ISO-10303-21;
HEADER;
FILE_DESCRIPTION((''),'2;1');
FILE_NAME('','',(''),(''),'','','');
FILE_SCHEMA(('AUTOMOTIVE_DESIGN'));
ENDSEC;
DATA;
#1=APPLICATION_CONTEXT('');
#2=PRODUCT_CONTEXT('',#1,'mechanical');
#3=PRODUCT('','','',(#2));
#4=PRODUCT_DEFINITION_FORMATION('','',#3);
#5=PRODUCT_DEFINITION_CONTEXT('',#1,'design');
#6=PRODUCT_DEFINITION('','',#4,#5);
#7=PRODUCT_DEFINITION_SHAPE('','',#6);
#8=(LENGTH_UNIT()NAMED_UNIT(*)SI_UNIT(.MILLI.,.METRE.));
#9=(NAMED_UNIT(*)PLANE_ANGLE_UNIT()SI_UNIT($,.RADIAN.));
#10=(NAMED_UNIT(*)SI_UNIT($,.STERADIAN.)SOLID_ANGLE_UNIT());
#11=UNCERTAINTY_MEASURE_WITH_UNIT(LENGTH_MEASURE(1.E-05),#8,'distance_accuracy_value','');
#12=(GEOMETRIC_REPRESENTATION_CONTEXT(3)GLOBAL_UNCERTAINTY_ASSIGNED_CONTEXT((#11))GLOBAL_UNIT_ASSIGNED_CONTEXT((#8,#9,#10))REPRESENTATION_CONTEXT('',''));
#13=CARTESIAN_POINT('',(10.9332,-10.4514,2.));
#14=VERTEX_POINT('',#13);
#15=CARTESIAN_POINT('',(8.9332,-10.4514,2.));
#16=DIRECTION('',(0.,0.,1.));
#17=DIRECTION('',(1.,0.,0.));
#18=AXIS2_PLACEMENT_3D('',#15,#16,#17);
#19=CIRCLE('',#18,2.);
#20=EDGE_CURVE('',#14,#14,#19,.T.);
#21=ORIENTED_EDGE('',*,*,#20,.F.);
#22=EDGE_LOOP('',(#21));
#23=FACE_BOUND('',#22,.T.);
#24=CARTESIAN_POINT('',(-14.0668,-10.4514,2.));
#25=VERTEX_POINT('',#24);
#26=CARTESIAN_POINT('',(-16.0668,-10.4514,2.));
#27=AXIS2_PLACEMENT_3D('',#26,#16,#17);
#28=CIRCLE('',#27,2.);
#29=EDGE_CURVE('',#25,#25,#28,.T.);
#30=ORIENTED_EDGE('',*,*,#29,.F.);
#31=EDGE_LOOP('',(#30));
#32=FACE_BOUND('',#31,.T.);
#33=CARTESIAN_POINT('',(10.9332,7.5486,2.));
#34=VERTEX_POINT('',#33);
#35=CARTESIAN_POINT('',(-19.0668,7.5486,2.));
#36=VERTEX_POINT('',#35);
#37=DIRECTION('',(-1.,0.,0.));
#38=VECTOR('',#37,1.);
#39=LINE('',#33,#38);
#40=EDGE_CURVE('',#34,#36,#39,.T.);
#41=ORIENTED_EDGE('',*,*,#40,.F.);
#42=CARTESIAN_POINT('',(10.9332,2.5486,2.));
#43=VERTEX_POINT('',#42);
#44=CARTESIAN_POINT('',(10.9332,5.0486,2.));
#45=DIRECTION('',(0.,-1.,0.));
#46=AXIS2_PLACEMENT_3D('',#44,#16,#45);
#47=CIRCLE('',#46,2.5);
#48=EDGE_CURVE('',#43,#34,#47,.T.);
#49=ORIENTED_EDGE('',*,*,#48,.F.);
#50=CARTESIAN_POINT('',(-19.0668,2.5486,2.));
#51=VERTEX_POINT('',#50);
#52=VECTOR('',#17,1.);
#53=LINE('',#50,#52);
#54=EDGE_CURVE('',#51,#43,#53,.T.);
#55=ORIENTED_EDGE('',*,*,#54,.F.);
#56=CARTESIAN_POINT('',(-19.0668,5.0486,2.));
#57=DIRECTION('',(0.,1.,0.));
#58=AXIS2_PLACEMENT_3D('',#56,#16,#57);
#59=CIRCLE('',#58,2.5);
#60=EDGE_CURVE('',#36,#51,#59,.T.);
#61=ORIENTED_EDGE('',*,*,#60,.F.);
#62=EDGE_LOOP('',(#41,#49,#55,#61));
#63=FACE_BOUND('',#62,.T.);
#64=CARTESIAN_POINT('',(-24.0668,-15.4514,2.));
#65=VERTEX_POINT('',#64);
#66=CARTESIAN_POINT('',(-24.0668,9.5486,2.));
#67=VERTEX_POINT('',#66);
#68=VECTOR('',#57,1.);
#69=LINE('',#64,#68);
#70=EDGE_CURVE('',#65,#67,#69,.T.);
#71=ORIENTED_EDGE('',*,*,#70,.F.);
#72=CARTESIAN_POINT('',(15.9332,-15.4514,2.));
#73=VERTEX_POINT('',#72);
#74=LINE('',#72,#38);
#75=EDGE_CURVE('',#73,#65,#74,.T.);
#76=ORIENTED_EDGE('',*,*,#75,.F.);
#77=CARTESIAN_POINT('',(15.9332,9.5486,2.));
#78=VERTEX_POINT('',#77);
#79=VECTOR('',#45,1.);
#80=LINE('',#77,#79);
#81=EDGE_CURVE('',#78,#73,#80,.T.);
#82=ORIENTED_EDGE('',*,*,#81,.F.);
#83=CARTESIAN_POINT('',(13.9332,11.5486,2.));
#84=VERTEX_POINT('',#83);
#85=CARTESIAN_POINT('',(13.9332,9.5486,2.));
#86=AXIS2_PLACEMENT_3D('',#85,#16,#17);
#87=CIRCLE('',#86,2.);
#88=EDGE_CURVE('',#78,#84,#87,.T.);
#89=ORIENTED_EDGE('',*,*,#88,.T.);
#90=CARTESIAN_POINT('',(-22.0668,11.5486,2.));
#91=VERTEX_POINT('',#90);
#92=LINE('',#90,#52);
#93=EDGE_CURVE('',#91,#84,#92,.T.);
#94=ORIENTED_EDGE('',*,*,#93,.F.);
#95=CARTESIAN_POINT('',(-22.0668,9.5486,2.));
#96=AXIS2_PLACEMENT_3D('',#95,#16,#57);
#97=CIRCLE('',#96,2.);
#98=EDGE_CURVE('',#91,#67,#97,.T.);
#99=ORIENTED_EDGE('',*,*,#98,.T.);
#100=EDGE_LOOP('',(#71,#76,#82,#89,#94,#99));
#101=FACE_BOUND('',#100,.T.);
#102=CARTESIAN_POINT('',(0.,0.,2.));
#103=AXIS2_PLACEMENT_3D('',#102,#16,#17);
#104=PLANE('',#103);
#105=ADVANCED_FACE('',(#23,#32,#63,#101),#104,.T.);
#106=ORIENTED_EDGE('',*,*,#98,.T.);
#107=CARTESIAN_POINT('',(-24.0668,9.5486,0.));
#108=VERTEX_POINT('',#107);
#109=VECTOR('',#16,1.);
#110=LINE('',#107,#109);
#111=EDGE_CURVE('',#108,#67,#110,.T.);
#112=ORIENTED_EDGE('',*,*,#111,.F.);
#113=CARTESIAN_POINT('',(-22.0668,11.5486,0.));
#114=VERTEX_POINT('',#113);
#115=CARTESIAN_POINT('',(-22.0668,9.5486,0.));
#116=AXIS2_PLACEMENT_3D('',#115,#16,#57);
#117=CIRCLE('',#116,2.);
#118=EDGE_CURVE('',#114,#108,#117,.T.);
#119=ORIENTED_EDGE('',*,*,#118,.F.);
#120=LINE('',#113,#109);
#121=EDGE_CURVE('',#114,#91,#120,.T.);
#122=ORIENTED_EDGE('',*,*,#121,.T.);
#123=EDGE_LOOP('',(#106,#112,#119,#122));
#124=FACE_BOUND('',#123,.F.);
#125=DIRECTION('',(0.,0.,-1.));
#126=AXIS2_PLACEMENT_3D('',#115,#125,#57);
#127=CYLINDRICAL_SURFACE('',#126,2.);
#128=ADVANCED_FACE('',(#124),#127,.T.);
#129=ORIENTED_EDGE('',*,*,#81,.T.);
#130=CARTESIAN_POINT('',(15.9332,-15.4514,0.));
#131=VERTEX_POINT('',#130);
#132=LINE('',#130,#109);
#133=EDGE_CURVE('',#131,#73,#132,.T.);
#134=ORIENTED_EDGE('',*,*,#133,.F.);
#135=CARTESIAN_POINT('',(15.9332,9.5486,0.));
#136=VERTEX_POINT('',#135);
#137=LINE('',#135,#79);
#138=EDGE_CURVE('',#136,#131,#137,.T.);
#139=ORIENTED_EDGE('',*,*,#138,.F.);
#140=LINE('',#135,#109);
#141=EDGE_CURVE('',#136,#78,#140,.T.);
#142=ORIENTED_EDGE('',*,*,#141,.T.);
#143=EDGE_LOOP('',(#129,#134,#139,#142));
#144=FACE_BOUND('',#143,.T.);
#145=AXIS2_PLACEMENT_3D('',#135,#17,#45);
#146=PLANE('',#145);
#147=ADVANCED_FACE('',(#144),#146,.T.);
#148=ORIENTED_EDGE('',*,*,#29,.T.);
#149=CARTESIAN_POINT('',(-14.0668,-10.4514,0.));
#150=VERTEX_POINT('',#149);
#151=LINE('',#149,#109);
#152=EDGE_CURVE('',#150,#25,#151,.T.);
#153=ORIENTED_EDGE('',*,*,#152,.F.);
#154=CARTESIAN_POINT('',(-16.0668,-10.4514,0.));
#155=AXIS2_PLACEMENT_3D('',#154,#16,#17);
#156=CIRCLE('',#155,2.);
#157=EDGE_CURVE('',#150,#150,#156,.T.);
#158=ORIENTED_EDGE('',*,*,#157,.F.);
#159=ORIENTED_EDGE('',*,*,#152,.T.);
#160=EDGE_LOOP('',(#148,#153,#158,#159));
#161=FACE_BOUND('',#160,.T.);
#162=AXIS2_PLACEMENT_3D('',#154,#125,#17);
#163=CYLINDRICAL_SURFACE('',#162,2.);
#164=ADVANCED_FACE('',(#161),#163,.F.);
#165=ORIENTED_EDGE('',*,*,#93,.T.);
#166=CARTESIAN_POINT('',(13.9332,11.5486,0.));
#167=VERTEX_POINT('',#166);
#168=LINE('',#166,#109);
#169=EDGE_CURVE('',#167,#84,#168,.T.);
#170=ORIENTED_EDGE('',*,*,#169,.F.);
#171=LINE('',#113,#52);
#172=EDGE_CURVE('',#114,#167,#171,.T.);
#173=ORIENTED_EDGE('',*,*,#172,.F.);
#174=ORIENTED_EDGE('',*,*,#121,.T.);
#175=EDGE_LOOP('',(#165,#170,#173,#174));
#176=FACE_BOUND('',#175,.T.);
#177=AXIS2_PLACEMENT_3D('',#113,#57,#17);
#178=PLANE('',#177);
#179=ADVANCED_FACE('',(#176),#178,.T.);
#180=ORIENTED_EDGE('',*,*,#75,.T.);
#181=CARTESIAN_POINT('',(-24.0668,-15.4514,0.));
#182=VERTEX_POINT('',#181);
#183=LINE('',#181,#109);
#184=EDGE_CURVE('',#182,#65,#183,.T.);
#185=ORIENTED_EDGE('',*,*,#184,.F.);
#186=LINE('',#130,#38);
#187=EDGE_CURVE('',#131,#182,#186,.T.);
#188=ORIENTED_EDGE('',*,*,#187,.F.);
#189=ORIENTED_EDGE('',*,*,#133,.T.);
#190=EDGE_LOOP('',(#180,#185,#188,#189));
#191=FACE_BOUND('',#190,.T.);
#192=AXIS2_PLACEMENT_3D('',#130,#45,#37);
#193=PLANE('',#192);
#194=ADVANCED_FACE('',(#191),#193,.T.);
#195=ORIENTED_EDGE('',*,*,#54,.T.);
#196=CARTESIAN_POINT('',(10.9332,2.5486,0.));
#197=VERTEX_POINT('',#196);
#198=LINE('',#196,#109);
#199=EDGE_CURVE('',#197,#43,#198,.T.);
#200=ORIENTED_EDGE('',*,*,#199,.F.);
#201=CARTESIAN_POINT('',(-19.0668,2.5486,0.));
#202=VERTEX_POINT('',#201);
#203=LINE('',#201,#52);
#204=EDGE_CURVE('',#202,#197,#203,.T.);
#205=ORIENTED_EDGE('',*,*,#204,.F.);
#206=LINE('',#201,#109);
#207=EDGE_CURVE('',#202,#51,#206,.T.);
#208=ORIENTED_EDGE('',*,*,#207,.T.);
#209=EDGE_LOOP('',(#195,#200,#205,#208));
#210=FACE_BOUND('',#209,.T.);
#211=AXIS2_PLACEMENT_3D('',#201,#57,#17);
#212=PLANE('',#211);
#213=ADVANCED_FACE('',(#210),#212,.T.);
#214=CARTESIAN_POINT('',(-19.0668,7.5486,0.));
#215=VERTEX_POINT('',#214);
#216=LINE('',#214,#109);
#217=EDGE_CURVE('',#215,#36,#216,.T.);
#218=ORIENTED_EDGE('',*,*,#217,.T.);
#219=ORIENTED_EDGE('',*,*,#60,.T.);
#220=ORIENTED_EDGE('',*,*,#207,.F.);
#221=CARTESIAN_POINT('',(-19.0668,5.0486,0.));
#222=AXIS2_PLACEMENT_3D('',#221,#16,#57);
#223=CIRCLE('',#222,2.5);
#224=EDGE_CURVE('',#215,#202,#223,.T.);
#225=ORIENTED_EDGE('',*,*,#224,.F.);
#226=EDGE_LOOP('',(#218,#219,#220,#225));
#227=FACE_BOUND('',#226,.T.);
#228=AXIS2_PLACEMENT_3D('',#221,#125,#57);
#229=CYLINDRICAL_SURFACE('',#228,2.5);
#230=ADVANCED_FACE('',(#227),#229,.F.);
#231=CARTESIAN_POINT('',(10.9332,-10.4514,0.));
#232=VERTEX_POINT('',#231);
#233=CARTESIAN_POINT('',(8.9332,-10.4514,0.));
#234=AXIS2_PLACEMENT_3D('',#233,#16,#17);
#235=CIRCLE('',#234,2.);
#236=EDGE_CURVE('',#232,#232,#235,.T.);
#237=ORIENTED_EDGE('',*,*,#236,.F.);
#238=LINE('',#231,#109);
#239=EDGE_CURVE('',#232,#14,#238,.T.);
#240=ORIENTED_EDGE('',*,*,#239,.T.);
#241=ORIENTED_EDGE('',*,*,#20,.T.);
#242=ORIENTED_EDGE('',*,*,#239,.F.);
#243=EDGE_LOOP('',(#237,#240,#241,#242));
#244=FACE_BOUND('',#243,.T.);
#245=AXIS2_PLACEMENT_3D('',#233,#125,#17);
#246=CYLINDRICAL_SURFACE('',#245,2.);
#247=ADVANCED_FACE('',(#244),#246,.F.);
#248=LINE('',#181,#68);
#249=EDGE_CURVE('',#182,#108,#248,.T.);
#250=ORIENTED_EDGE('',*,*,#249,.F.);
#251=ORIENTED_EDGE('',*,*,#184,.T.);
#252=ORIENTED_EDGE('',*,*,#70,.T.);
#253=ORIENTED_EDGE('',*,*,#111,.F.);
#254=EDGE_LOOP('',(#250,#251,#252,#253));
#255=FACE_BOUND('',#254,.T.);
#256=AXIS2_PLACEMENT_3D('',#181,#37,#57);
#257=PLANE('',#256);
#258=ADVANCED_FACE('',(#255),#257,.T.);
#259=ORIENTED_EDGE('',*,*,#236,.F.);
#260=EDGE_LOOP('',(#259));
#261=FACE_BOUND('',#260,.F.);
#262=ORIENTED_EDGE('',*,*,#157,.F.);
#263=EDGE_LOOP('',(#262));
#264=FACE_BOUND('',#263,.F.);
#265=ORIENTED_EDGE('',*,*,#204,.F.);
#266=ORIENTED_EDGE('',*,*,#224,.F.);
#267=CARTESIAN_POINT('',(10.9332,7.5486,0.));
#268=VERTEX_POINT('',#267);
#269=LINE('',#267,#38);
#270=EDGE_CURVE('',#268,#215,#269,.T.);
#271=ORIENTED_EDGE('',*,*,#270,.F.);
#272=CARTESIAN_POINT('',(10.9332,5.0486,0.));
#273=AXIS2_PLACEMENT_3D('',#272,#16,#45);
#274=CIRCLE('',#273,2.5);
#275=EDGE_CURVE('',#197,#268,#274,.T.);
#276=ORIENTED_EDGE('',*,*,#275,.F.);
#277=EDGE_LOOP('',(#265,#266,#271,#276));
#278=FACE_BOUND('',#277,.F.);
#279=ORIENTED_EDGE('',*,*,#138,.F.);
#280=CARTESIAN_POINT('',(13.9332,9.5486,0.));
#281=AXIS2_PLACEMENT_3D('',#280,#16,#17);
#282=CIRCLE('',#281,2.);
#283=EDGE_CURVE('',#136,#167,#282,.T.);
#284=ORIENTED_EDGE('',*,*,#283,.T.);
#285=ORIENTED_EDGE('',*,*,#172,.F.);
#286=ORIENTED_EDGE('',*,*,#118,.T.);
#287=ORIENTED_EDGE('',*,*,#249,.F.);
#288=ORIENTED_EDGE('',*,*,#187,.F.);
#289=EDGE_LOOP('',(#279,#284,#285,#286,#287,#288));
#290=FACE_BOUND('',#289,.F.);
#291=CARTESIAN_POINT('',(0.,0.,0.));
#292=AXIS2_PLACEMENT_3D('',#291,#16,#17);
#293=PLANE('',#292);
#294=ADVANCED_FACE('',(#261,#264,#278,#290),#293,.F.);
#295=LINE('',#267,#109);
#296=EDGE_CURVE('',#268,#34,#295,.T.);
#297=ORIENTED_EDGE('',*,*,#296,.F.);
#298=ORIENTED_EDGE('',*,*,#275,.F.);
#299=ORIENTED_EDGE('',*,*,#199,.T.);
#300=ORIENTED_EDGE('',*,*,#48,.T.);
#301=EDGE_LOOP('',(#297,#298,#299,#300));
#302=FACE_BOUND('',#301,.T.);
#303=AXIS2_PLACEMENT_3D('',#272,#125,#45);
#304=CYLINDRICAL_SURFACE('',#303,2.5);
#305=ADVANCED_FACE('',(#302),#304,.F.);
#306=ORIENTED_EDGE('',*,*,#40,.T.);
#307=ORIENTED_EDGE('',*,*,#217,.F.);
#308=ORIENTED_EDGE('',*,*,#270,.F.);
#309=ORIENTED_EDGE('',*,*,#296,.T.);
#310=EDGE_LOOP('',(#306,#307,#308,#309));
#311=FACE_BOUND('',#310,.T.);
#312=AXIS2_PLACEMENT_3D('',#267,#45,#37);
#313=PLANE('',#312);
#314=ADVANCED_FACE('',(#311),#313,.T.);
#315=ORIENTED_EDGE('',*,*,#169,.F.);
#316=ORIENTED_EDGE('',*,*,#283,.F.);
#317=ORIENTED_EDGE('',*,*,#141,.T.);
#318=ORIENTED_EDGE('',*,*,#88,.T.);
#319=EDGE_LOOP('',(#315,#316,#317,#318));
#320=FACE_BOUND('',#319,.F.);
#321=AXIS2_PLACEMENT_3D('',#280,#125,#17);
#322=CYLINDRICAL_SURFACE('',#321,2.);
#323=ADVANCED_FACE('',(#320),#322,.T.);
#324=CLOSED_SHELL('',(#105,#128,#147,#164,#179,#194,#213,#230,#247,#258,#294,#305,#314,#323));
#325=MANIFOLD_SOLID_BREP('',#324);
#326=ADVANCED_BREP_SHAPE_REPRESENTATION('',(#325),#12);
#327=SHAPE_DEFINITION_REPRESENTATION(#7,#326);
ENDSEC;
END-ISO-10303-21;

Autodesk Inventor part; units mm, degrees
ref_plane "YZ Plane" through (0, 0, 0) normal (1, 0, 0) x (0, 1, 0)
ref_plane "XZ Plane" through (0, 0, 0) normal (0, 1, 0) x (-1, 0, 0)
ref_plane "XY Plane" through (0, 0, 0) normal (0, 0, 1) x (1, 0, 0)
sketch "Sketch1" plane through (0, 0, 0) normal (0, 0, 1) x (1, 0, 0)
  line L0 (-22.0668, 11.5486) -> (13.9332, 11.5486)
  line L1 (15.9332, 9.5486) -> (15.9332, -15.4514)
  line L2 (15.9332, -15.4514) -> (-24.0668, -15.4514)
  line L3 (-24.0668, -15.4514) -> (-24.0668, 9.5486)
  circle A0 centre (-16.0668, -10.4514) radius 2
  circle A1 centre (8.9332, -10.4514) radius 2
  arc A2 (-22.0668, 11.5486) -> (-24.0668, 9.5486) centre (-22.0668, 9.5486) ccw
  arc A3 (15.9332, 9.5486) -> (13.9332, 11.5486) centre (13.9332, 9.5486) ccw
  line L4 (10.9332, 5.0486) -> (-19.0668, 5.0486) construction
  line L5 (10.9332, 7.5486) -> (-19.0668, 7.5486)
  line L6 (-19.0668, 2.5486) -> (10.9332, 2.5486)
  arc A4 (10.9332, 2.5486) -> (10.9332, 7.5486) centre (10.9332, 5.0486) ccw
  arc A5 (-19.0668, 7.5486) -> (-19.0668, 2.5486) centre (-19.0668, 5.0486) ccw
  point P0 (0, 0)
  point P1 (-4.0668, 5.0486)
  dimension "d0" = 40
  dimension "d1" = 4
  dimension "d2" = 4
  dimension "d3" = 25
  dimension "d4" = 8
  dimension "d5" = 2
  dimension "d6" = 5
  dimension "d7" = 15
  dimension "d8" = 5
  dimension "d11" = 25
  dimension "d12" = 4
extrude "Extrusion1" add sketch "Sketch1" along normal blind 2
properties part number "Radio Chip" material "UHMW, Black"
